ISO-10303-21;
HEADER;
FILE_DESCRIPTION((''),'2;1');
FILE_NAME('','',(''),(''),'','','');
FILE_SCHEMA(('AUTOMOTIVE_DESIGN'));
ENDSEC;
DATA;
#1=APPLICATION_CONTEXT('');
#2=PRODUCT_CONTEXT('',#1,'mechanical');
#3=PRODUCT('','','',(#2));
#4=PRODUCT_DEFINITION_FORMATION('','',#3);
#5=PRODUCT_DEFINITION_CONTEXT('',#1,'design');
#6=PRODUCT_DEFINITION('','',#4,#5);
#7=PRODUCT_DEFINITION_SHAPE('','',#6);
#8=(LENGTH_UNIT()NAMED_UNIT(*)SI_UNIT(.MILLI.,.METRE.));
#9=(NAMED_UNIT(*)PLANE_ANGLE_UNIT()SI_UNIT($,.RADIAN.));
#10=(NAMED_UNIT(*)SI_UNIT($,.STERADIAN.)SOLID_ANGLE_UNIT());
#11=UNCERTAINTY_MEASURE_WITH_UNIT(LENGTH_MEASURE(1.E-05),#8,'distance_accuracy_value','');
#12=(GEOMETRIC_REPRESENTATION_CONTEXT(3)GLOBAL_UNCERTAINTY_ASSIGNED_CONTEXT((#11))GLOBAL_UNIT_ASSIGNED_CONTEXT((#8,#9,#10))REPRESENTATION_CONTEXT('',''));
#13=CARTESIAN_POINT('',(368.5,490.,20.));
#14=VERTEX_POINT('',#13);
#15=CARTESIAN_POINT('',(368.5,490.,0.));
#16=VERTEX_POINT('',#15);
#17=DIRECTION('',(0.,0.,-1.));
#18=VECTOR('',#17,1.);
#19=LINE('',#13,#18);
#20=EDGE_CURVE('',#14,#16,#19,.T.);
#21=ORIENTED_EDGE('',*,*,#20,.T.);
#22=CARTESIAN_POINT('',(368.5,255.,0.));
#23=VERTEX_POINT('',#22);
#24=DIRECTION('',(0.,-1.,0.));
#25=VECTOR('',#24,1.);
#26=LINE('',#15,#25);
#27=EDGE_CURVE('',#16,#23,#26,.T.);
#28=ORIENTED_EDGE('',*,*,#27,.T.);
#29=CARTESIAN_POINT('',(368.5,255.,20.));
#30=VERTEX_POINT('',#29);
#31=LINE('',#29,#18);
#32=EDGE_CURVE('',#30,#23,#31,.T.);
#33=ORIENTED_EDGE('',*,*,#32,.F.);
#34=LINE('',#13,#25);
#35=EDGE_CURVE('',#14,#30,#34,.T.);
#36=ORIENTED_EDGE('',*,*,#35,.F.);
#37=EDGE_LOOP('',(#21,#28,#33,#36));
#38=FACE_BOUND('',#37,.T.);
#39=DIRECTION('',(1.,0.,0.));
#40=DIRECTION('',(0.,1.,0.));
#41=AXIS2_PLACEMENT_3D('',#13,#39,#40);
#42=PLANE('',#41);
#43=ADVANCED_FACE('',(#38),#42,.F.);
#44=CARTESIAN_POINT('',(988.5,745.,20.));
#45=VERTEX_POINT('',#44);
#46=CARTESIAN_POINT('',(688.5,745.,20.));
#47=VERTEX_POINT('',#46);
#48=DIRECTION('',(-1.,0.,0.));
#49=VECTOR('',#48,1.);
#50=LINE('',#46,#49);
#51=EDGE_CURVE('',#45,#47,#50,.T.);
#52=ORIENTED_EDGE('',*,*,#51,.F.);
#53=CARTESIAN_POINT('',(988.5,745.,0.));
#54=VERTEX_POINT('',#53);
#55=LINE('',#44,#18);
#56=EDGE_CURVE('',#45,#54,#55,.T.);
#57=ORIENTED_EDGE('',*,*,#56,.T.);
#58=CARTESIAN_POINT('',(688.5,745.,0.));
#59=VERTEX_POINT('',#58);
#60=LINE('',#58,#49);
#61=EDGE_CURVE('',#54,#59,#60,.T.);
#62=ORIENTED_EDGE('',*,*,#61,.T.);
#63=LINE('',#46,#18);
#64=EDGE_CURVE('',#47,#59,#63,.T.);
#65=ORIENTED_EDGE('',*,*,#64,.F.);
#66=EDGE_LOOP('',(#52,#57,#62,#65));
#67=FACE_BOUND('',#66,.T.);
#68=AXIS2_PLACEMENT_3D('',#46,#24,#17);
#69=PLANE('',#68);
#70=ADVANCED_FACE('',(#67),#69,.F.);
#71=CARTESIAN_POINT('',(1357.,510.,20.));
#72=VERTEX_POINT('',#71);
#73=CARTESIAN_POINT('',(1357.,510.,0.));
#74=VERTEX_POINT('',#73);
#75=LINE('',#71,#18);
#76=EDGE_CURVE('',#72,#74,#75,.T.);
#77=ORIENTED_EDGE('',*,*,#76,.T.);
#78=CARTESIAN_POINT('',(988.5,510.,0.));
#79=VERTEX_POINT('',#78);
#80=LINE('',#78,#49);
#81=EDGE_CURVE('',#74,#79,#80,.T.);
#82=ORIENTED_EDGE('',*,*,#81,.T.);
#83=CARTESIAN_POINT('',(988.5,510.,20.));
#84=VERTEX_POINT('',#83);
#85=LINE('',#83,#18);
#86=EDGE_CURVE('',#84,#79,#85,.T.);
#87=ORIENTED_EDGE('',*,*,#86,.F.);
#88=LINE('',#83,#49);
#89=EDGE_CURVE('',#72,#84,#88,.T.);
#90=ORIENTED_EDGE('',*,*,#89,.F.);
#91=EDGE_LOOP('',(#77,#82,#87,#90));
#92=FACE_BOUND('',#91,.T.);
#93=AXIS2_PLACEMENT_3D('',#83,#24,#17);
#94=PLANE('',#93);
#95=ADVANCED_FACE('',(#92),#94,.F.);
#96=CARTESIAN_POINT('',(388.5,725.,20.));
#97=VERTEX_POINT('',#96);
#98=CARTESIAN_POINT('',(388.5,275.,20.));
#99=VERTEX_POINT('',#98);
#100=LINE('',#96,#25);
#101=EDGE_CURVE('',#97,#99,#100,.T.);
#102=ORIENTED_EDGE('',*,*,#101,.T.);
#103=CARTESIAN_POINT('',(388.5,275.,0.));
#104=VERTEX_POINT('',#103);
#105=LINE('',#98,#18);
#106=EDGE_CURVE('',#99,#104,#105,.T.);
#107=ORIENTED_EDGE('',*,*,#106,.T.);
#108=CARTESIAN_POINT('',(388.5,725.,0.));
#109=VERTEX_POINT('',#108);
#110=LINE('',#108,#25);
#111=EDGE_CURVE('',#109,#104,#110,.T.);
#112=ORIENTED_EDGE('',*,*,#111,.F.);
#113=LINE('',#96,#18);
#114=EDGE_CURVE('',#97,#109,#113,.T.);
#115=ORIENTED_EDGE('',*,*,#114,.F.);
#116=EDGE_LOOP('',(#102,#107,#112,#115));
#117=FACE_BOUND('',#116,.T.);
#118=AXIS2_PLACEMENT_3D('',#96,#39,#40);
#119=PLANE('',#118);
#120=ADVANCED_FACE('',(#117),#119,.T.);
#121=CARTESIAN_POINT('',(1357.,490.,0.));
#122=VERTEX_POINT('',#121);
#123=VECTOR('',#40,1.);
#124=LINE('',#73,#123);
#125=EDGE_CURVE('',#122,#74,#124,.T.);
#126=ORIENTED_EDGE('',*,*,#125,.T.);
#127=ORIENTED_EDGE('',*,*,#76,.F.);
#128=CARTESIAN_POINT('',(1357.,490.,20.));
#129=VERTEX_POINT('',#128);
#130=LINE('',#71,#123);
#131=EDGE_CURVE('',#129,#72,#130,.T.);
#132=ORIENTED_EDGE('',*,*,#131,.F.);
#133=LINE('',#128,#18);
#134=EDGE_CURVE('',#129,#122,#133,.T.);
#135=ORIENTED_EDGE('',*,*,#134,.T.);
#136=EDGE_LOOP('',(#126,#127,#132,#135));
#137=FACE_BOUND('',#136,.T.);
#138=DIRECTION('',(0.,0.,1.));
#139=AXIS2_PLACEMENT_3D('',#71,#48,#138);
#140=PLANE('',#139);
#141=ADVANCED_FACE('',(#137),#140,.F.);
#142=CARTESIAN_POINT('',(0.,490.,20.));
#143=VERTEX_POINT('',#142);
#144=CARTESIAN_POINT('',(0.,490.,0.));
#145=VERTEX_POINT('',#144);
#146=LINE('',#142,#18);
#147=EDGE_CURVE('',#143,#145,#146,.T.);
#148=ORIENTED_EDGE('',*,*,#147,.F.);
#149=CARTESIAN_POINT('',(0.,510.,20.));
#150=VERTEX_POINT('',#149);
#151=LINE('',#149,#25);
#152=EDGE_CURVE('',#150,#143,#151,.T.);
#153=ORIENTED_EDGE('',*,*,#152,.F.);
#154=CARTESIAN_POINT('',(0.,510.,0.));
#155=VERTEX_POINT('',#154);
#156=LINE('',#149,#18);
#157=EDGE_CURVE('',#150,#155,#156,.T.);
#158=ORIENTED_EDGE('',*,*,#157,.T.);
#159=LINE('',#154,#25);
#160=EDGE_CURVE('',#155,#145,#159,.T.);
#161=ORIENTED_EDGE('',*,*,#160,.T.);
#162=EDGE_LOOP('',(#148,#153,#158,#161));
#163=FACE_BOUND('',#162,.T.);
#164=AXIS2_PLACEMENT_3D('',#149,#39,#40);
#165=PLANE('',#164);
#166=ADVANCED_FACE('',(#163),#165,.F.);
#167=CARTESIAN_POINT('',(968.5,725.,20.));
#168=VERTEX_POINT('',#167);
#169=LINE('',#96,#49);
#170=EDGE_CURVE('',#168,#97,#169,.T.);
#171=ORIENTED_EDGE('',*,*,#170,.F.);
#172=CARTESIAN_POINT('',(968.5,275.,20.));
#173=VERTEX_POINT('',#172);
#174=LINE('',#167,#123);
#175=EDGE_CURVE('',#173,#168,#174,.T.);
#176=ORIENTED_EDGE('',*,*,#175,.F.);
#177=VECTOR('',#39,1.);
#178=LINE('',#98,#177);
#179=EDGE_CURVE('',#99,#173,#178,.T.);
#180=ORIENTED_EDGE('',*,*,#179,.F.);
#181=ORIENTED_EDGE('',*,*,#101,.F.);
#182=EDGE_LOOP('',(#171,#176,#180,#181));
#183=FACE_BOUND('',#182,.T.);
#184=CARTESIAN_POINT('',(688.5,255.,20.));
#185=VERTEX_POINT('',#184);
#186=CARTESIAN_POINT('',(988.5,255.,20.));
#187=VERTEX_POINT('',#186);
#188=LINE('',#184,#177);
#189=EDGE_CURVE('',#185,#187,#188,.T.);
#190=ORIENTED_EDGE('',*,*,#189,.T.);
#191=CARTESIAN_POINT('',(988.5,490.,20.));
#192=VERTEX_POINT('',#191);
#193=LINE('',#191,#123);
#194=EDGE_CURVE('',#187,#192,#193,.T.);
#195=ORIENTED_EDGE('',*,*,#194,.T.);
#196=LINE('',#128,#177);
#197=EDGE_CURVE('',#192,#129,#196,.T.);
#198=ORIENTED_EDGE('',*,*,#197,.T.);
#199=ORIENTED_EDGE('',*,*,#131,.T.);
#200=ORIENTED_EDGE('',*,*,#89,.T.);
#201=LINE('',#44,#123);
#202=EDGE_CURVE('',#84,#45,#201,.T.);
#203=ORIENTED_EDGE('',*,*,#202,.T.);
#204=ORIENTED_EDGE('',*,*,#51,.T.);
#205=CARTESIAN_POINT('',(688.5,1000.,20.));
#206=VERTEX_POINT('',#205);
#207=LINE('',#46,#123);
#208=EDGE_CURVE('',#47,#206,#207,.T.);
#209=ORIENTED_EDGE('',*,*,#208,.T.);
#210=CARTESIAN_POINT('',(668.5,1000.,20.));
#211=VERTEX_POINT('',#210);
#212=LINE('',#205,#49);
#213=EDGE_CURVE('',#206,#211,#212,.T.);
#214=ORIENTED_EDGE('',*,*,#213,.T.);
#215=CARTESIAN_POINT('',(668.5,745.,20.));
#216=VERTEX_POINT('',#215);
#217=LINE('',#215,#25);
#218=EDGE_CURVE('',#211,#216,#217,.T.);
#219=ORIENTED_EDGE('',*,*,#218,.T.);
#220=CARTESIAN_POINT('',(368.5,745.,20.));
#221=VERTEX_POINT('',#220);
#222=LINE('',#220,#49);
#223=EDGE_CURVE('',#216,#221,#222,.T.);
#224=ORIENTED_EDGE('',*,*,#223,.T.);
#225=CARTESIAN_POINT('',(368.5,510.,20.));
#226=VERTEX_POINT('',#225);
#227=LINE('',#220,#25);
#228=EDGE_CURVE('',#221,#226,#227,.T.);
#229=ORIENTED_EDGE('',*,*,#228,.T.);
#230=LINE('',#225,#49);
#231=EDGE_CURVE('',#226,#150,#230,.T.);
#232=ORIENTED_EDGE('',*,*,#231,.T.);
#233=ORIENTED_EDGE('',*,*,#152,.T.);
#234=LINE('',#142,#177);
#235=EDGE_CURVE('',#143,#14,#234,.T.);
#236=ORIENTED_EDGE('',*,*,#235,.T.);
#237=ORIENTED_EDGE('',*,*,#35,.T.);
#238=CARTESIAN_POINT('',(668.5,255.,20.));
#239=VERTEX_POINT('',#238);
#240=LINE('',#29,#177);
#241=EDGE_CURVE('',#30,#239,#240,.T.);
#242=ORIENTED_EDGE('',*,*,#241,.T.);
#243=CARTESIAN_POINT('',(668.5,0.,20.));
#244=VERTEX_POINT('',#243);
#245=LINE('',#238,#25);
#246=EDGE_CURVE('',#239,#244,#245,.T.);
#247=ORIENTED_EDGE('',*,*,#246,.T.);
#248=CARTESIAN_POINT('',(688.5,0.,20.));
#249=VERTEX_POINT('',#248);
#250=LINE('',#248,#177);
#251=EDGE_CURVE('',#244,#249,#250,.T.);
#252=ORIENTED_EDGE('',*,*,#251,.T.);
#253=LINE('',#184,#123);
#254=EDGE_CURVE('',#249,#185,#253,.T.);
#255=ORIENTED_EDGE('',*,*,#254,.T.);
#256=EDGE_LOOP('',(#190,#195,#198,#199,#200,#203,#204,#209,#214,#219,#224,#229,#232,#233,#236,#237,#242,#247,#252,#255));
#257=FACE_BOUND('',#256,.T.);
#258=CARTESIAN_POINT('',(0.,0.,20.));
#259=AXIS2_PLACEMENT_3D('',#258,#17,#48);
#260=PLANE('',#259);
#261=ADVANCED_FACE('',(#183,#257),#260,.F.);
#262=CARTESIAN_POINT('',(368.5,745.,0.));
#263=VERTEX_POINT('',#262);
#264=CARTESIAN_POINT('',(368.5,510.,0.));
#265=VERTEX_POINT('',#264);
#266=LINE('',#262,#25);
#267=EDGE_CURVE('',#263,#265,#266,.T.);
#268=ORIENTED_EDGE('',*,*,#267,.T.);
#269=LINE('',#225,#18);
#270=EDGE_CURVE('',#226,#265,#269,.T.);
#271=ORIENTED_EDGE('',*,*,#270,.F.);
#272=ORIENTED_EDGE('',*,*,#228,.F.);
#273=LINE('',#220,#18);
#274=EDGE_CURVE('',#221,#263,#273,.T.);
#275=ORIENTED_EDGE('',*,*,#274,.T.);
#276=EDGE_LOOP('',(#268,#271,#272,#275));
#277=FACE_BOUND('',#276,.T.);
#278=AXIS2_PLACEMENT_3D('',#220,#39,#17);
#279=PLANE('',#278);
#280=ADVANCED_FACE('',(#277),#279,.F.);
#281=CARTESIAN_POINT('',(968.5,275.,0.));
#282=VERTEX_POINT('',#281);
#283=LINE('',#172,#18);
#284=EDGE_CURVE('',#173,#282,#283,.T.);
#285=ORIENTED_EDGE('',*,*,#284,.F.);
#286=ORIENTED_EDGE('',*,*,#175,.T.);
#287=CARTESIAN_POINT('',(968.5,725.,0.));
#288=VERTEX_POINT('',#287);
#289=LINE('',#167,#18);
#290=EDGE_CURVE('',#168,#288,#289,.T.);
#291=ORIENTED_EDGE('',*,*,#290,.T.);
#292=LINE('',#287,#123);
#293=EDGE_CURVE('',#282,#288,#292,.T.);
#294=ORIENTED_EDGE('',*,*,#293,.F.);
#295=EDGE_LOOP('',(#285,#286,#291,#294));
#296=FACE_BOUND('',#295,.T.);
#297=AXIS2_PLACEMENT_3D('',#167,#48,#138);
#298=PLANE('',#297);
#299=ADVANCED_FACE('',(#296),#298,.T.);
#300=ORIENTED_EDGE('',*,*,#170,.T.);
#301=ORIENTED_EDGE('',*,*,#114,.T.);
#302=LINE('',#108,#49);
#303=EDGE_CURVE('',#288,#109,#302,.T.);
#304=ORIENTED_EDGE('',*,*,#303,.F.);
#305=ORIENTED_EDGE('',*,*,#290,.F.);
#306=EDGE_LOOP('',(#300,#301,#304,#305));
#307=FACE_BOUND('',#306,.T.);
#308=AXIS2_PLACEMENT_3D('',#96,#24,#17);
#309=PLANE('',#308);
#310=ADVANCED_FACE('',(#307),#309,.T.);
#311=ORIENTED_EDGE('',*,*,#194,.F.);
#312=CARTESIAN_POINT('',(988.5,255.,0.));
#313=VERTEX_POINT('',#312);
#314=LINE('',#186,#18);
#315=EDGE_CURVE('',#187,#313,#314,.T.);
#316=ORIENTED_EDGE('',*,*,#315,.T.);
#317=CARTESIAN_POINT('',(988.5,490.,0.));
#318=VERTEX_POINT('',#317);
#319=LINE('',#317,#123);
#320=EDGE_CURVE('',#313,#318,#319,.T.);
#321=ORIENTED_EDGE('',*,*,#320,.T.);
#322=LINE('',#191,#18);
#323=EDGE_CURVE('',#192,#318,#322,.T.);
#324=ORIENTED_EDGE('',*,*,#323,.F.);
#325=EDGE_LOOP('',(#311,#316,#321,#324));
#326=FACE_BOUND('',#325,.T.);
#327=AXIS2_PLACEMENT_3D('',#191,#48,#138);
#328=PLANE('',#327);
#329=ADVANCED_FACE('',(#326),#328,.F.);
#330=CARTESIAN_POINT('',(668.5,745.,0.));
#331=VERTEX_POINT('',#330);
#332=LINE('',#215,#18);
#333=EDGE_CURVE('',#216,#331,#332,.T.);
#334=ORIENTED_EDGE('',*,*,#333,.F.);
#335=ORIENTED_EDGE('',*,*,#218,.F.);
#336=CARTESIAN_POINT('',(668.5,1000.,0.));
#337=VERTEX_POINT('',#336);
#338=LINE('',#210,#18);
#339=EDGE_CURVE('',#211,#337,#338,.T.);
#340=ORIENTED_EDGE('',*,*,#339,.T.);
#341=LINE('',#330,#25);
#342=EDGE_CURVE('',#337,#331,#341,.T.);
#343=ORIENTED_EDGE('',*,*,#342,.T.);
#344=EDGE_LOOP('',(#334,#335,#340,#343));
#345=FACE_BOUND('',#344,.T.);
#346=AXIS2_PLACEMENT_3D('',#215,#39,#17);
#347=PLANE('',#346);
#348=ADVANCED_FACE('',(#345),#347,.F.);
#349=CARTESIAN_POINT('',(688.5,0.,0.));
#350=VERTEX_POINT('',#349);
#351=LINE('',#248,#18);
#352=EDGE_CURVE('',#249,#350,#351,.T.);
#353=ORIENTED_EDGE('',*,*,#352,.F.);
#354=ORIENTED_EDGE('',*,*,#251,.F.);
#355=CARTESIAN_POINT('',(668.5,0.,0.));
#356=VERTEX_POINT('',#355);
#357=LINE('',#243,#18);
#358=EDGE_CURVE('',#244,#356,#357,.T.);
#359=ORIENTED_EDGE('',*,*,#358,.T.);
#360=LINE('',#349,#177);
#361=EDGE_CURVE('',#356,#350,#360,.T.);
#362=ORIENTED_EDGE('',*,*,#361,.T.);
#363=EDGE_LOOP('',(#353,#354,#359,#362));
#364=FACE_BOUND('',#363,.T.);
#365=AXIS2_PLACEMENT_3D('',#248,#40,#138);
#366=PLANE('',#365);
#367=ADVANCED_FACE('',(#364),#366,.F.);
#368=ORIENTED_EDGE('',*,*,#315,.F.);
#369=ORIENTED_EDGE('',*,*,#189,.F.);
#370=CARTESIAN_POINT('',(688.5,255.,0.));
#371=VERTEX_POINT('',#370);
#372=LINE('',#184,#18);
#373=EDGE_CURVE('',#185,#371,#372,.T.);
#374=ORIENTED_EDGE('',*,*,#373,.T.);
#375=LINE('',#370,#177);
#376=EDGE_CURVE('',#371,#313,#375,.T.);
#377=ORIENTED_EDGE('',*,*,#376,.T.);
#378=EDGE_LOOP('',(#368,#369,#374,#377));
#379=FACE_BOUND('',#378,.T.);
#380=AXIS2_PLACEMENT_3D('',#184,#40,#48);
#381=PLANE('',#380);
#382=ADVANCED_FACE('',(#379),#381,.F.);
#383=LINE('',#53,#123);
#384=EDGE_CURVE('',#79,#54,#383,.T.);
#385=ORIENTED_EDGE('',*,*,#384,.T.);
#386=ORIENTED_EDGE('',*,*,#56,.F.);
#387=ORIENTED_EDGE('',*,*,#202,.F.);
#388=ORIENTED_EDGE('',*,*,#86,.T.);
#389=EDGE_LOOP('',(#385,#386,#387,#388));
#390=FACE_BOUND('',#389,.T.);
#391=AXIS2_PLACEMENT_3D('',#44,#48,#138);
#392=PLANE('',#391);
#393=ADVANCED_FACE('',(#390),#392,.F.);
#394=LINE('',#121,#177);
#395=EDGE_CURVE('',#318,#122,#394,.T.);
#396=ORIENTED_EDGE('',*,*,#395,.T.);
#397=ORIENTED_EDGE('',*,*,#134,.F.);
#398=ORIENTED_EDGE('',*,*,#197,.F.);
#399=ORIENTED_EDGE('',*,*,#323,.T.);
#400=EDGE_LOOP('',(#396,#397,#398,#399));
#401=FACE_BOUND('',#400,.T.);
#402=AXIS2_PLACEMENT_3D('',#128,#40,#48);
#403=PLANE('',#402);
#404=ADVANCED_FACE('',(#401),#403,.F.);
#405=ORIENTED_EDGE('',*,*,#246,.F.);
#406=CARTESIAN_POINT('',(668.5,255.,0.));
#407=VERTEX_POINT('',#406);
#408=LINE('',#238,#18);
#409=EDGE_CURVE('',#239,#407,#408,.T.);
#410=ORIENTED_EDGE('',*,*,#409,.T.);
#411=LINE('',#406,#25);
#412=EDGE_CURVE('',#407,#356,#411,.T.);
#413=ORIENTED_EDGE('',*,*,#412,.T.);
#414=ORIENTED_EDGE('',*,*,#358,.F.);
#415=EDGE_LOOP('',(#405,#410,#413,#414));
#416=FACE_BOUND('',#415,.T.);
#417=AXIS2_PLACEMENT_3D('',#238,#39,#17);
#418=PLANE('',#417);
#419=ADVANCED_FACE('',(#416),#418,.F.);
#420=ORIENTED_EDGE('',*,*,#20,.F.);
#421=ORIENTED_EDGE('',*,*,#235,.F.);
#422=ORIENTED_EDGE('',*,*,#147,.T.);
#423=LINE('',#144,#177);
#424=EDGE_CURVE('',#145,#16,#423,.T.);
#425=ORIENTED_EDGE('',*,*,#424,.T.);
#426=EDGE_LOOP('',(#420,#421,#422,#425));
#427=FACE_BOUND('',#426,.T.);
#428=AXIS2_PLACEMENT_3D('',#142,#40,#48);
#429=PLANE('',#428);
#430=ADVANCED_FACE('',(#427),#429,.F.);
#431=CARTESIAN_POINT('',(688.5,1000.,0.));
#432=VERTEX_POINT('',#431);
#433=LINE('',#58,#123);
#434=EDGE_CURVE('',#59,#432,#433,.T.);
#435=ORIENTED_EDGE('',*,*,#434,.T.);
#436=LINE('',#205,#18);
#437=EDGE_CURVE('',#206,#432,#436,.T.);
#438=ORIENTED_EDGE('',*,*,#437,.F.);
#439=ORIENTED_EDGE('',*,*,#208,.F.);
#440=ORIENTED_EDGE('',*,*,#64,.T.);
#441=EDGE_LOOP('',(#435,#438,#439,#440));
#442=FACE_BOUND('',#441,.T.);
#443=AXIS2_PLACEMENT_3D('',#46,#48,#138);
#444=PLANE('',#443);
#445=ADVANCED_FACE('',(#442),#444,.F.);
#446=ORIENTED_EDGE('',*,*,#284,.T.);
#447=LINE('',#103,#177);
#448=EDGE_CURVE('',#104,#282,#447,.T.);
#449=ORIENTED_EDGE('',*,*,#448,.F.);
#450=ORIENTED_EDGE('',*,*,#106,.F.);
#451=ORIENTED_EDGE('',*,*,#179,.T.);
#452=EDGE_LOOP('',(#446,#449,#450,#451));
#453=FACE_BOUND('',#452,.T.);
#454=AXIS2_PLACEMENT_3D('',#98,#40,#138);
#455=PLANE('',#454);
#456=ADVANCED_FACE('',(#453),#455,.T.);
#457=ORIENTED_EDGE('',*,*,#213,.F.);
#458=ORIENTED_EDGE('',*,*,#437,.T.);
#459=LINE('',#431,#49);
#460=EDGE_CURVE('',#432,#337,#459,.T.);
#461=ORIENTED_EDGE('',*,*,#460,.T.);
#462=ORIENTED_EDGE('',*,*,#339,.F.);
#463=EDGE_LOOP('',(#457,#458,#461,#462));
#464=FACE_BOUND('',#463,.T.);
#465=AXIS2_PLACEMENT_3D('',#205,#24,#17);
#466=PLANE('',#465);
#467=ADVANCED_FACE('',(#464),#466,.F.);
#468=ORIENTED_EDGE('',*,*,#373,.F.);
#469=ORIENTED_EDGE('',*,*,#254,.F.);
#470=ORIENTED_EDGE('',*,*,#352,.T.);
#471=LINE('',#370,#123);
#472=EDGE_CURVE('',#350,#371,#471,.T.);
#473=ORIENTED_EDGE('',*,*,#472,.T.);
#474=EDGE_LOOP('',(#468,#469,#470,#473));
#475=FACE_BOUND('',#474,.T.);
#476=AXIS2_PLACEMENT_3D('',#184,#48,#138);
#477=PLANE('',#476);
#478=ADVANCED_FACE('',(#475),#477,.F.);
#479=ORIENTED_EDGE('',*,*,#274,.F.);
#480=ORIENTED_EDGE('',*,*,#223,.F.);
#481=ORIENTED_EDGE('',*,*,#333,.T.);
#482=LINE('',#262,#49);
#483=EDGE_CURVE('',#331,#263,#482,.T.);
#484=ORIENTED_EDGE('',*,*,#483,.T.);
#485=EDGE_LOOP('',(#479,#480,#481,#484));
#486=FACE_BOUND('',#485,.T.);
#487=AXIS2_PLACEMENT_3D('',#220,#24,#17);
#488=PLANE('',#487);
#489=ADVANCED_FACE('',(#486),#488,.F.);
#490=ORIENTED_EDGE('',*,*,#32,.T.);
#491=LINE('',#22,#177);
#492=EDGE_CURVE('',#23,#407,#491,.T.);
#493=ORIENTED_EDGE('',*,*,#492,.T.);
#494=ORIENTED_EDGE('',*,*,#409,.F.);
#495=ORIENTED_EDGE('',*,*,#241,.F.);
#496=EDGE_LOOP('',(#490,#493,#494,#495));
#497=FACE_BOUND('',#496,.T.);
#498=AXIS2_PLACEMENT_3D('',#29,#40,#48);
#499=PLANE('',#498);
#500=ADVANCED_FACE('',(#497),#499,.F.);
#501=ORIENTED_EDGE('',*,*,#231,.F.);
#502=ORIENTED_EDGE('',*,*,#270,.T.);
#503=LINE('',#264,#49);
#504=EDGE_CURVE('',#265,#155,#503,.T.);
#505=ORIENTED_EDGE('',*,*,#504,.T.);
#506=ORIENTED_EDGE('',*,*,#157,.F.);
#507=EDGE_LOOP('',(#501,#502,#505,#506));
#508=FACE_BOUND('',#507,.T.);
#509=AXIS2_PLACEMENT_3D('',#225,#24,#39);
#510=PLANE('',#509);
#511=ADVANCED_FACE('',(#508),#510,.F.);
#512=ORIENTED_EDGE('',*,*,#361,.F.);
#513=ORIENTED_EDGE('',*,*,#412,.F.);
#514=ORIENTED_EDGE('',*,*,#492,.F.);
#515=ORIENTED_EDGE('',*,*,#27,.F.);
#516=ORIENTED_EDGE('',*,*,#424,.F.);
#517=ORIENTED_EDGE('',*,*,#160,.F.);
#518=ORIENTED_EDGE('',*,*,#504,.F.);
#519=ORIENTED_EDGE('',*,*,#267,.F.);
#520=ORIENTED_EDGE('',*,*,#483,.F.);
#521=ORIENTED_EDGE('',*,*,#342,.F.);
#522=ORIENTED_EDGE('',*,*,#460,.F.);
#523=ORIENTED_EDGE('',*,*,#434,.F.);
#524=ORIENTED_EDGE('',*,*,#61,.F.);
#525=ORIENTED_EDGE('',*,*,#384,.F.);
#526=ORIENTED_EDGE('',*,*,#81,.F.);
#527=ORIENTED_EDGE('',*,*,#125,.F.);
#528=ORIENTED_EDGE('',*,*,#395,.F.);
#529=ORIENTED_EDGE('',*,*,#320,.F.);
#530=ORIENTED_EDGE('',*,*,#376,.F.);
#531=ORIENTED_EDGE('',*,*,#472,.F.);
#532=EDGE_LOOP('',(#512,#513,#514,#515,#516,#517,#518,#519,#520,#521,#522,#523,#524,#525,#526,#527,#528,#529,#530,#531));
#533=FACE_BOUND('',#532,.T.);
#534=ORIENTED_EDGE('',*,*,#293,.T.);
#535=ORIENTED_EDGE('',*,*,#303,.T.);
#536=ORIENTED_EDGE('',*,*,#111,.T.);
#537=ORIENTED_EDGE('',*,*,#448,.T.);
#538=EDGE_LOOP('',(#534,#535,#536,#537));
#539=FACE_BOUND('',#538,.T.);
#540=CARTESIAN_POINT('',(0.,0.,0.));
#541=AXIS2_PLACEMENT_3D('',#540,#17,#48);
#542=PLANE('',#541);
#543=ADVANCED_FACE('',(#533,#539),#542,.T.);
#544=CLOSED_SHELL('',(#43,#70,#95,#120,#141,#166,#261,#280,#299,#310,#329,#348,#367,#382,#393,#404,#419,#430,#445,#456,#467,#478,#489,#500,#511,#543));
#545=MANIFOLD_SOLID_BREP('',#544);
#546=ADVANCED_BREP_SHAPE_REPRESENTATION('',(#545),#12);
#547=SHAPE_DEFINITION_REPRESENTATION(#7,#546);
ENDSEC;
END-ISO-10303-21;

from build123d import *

# Parameters (mm, degrees)
SKETCH1_W           = 580
SKETCH1_H           = 450
BOSS_EXTRUDE1_DEPTH = 20


with BuildPart() as part:
    # Sketch1 → Boss-Extrude1 (new body)
    with BuildSketch(Plane.XY):
        Polygon((368.5, 745), (668.5, 745), (668.5, 1000), (688.5, 1000), (688.5, 745), (988.5, 745), (988.5, 510), (1357, 510), (1357, 490), (988.5, 490), (988.5, 255), (688.5, 255), (688.5, 0), (668.5, 0), (668.5, 255), (368.5, 255), (368.5, 490), (0, 490), (0, 510), (368.5, 510), align=None)
        with Locations((678.5, 500)):
            Rectangle(SKETCH1_W, SKETCH1_H, mode=Mode.SUBTRACT)
    extrude(amount=BOSS_EXTRUDE1_DEPTH)


solid = part.part
